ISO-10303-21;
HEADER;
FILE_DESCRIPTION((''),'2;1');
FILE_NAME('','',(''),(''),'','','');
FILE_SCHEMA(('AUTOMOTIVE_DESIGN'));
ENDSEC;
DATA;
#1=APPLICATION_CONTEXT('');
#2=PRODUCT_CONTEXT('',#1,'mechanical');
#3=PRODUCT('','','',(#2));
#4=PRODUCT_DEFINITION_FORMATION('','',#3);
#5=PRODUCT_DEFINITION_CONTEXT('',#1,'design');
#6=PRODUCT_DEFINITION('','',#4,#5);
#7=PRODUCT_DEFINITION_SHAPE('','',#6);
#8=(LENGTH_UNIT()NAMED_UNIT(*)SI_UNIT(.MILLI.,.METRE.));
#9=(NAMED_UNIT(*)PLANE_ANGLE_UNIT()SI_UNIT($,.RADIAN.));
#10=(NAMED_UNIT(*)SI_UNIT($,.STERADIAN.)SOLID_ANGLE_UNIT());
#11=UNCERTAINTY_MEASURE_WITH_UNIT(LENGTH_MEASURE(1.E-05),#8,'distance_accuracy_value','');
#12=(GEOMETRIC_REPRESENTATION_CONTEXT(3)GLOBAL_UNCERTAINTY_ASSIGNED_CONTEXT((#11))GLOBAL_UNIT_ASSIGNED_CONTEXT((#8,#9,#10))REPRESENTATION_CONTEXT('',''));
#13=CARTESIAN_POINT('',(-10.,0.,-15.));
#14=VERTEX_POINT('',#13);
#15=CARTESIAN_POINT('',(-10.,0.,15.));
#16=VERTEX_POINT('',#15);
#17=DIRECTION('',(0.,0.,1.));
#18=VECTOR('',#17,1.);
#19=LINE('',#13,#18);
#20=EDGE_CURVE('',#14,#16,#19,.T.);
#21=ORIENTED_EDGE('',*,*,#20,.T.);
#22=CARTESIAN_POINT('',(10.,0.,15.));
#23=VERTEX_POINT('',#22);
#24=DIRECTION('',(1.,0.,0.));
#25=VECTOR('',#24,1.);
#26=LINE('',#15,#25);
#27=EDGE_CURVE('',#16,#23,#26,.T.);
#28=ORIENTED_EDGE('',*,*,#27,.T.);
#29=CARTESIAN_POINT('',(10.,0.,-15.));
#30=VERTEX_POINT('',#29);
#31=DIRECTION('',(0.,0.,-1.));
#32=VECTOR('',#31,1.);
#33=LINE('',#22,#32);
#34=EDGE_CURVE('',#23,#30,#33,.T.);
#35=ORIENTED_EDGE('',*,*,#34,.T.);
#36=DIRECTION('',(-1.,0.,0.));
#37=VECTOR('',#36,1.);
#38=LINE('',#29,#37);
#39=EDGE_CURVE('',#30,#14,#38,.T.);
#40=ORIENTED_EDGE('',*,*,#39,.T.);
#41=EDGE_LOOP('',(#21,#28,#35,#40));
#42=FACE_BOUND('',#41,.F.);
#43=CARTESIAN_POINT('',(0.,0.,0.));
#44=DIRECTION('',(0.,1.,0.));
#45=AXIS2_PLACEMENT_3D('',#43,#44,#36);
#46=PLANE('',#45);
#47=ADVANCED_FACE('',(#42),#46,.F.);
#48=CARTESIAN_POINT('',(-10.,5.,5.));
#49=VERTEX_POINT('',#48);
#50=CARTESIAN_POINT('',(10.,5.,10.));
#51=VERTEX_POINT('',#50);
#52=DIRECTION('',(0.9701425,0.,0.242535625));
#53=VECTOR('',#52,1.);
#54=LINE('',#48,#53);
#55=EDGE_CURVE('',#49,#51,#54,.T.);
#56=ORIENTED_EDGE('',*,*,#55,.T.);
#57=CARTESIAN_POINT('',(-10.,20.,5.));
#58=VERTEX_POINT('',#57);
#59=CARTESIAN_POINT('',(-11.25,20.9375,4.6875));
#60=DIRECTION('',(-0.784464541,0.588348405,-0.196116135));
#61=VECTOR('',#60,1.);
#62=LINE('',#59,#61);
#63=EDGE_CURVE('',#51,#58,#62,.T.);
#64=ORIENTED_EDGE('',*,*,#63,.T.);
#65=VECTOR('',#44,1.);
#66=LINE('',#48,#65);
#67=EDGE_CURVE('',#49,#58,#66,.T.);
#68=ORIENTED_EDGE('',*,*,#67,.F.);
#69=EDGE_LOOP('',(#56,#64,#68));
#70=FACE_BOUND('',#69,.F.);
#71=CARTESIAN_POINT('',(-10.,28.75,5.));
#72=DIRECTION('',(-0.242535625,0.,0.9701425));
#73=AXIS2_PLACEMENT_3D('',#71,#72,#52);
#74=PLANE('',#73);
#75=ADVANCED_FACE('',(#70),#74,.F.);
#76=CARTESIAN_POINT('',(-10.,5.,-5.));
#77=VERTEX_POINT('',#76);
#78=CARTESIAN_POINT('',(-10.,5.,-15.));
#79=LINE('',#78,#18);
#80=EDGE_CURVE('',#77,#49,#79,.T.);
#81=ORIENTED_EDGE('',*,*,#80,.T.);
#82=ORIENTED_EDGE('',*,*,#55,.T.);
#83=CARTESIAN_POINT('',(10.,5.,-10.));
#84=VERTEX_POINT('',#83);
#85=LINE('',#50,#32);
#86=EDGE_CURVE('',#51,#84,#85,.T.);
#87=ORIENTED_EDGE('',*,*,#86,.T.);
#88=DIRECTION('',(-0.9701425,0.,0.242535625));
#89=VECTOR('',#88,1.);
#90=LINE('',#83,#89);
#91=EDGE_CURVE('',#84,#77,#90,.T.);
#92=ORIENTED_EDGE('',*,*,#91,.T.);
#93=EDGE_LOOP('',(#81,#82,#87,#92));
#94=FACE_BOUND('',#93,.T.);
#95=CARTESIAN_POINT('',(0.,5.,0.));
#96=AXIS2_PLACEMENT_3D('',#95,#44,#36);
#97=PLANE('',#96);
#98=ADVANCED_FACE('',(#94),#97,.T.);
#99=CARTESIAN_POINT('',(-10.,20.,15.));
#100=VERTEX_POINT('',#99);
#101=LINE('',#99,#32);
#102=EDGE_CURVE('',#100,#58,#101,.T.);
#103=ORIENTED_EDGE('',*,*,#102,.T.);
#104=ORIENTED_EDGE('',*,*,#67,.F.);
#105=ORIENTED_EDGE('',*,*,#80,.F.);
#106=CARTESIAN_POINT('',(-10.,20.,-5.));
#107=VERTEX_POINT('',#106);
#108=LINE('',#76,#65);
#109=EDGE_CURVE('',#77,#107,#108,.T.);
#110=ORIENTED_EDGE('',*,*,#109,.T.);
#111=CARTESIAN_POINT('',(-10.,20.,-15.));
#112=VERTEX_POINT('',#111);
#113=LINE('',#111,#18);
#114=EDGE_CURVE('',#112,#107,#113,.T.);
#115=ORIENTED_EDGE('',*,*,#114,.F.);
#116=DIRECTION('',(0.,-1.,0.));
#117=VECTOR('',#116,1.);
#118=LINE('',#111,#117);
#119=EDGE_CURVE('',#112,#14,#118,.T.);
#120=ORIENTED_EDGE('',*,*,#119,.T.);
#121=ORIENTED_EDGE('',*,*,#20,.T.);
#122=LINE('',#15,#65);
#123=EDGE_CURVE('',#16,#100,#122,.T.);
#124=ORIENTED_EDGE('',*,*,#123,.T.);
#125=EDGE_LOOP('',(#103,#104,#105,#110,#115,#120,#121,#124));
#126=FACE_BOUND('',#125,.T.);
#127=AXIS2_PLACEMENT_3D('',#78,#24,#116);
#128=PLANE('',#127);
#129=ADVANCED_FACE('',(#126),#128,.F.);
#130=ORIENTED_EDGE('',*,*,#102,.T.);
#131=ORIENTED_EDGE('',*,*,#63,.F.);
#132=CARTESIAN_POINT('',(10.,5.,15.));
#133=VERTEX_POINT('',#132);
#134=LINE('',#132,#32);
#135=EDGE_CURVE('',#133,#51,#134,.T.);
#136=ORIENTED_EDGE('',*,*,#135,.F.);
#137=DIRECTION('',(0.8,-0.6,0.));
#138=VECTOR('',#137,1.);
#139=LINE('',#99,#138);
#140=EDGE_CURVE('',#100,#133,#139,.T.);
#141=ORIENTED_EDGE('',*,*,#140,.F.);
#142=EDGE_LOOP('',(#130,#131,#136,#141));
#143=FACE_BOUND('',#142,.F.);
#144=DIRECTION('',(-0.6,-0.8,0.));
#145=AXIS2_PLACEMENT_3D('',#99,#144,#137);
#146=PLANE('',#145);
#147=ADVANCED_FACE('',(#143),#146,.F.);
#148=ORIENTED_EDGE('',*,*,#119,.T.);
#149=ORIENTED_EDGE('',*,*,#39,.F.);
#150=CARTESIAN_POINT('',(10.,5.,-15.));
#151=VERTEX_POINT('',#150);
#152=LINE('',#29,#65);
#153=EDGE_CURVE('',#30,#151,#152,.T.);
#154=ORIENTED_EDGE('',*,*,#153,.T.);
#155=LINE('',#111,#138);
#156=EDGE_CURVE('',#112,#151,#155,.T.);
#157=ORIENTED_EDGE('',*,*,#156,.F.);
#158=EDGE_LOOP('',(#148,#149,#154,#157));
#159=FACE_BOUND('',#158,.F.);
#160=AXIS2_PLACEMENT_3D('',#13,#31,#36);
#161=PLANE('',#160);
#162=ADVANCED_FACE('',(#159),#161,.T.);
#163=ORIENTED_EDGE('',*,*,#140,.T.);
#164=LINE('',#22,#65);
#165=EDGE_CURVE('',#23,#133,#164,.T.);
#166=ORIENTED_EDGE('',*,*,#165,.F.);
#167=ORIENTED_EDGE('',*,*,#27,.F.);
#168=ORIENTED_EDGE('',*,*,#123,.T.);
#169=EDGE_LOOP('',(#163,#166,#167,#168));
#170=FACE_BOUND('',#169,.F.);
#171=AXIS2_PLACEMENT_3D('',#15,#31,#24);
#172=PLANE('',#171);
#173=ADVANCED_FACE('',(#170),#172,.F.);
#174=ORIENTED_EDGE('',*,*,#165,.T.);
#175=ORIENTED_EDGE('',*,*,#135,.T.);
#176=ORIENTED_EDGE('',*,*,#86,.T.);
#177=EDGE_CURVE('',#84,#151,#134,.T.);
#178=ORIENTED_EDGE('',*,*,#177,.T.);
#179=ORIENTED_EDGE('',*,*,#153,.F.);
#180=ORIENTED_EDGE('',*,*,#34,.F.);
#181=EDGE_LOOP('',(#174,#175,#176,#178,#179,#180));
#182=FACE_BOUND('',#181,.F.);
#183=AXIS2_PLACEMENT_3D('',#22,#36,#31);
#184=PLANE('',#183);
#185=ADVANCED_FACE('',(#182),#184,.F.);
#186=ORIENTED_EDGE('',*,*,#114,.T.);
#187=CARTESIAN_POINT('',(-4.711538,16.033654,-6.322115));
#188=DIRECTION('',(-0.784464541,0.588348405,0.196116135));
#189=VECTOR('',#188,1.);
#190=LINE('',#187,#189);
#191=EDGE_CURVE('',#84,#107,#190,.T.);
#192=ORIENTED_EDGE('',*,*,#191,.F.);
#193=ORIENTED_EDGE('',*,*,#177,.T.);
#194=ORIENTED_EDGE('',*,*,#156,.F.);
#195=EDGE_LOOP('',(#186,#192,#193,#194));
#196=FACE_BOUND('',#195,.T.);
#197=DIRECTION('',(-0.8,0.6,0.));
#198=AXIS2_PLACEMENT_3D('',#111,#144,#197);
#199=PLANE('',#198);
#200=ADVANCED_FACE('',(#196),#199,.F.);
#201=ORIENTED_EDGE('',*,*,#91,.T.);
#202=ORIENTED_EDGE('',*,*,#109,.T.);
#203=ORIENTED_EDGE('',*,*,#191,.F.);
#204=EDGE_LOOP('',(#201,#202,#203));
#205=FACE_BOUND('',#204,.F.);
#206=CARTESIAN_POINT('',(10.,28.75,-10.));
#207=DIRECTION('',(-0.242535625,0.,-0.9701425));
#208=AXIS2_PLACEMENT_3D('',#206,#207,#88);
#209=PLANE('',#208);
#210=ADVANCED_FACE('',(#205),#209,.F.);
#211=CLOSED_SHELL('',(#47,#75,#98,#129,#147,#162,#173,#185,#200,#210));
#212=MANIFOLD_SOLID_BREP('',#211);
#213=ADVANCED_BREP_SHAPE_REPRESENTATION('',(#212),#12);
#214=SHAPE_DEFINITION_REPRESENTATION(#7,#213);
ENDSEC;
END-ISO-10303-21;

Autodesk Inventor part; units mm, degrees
ref_plane "YZ Plane" through (0, 0, 0) normal (1, 0, 0) x (0, 1, 0)
ref_plane "XZ Plane" through (0, 0, 0) normal (0, 1, 0) x (-1, 0, 0)
sketch "草圖1" plane through (0, 0, 0) normal (0, 1, 0) x (-1, 0, 0)
  line L0 (10, 15) -> (-10, 15)
  line L1 (-10, 15) -> (-10, -15)
  line L2 (-10, -15) -> (10, -15)
  line L3 (10, -15) -> (10, 15)
  point P0 (0, 0)
  point P1 (10, 0)
  point P2 (0, -15)
  dimension "d0" = 30
  dimension "d1" = 20
extrude "擠出1" add sketch "草圖1" along normal blind 5
sketch "草圖2" plane through (-10, 0, 15) normal (0, 0, 1) x (1, 0, 0)
  line L0 (0, 5) -> (20, 5) projected
  line L1 (0, 5) -> (0, 20)
  line L2 (0, 20) -> (20, 5)
  line L3 (20, 5) -> (0, 5)
  point P0 (10, 0)
  dimension "d4" = 15
extrude "擠出2" add sketch "草圖2" against normal blind 10
mirror "鏡射1" about plane through (0, 0, 0) normal (0, 0, 1) of "擠出2"
ref_plane "工作平面1" through (0, 28.75, 0) normal (0, 1, 0) x (1, 0, 0)
sketch "草圖3" plane through (0, 28.75, 0) normal (0, 1, 0) x (1, 0, 0)
  line L0 (10, 5) -> (-10, 5) construction
  line L1 (-10, 5) -> (-10, -5) construction
  line L2 (-10, -5) -> (10, -5) construction
  line L3 (10, -5) -> (10, 5) construction
  line L4 (10, -15) -> (-10, -15) construction
  line L5 (10, -15) -> (10, -5) construction
  line L6 (-10, -5) -> (10, -5) construction
  line L7 (-10, -15) -> (-10, -5) construction
  line L8 (10, 15) -> (-10, 15) construction
  line L9 (-10, 15) -> (-10, 5) construction
  line L10 (-10, 5) -> (10, 5) construction
  line L11 (10, 5) -> (10, 15) construction
  line L12 (-10, -5) -> (10, -10) construction
  line L13 (10, -15) -> (10, 15) construction
  line L14 (10, -10) -> (10, 10) construction
  line L15 (-10, 5) -> (10, 10) construction
  line L16 (-10, 5) -> (-10, -5) construction
  line L17 (-10, -5) -> (-10, 5)
  line L18 (10, 10) -> (-10, 5)
  line L19 (-10, -5) -> (10, -10)
  line L20 (10, -10) -> (10, 10)
  point P0 (0, 0)
  dimension "d8" = 10
extrude "擠出3" cut sketch "草圖3" against normal up to surface (23.75 mm away)
properties part number "9"
